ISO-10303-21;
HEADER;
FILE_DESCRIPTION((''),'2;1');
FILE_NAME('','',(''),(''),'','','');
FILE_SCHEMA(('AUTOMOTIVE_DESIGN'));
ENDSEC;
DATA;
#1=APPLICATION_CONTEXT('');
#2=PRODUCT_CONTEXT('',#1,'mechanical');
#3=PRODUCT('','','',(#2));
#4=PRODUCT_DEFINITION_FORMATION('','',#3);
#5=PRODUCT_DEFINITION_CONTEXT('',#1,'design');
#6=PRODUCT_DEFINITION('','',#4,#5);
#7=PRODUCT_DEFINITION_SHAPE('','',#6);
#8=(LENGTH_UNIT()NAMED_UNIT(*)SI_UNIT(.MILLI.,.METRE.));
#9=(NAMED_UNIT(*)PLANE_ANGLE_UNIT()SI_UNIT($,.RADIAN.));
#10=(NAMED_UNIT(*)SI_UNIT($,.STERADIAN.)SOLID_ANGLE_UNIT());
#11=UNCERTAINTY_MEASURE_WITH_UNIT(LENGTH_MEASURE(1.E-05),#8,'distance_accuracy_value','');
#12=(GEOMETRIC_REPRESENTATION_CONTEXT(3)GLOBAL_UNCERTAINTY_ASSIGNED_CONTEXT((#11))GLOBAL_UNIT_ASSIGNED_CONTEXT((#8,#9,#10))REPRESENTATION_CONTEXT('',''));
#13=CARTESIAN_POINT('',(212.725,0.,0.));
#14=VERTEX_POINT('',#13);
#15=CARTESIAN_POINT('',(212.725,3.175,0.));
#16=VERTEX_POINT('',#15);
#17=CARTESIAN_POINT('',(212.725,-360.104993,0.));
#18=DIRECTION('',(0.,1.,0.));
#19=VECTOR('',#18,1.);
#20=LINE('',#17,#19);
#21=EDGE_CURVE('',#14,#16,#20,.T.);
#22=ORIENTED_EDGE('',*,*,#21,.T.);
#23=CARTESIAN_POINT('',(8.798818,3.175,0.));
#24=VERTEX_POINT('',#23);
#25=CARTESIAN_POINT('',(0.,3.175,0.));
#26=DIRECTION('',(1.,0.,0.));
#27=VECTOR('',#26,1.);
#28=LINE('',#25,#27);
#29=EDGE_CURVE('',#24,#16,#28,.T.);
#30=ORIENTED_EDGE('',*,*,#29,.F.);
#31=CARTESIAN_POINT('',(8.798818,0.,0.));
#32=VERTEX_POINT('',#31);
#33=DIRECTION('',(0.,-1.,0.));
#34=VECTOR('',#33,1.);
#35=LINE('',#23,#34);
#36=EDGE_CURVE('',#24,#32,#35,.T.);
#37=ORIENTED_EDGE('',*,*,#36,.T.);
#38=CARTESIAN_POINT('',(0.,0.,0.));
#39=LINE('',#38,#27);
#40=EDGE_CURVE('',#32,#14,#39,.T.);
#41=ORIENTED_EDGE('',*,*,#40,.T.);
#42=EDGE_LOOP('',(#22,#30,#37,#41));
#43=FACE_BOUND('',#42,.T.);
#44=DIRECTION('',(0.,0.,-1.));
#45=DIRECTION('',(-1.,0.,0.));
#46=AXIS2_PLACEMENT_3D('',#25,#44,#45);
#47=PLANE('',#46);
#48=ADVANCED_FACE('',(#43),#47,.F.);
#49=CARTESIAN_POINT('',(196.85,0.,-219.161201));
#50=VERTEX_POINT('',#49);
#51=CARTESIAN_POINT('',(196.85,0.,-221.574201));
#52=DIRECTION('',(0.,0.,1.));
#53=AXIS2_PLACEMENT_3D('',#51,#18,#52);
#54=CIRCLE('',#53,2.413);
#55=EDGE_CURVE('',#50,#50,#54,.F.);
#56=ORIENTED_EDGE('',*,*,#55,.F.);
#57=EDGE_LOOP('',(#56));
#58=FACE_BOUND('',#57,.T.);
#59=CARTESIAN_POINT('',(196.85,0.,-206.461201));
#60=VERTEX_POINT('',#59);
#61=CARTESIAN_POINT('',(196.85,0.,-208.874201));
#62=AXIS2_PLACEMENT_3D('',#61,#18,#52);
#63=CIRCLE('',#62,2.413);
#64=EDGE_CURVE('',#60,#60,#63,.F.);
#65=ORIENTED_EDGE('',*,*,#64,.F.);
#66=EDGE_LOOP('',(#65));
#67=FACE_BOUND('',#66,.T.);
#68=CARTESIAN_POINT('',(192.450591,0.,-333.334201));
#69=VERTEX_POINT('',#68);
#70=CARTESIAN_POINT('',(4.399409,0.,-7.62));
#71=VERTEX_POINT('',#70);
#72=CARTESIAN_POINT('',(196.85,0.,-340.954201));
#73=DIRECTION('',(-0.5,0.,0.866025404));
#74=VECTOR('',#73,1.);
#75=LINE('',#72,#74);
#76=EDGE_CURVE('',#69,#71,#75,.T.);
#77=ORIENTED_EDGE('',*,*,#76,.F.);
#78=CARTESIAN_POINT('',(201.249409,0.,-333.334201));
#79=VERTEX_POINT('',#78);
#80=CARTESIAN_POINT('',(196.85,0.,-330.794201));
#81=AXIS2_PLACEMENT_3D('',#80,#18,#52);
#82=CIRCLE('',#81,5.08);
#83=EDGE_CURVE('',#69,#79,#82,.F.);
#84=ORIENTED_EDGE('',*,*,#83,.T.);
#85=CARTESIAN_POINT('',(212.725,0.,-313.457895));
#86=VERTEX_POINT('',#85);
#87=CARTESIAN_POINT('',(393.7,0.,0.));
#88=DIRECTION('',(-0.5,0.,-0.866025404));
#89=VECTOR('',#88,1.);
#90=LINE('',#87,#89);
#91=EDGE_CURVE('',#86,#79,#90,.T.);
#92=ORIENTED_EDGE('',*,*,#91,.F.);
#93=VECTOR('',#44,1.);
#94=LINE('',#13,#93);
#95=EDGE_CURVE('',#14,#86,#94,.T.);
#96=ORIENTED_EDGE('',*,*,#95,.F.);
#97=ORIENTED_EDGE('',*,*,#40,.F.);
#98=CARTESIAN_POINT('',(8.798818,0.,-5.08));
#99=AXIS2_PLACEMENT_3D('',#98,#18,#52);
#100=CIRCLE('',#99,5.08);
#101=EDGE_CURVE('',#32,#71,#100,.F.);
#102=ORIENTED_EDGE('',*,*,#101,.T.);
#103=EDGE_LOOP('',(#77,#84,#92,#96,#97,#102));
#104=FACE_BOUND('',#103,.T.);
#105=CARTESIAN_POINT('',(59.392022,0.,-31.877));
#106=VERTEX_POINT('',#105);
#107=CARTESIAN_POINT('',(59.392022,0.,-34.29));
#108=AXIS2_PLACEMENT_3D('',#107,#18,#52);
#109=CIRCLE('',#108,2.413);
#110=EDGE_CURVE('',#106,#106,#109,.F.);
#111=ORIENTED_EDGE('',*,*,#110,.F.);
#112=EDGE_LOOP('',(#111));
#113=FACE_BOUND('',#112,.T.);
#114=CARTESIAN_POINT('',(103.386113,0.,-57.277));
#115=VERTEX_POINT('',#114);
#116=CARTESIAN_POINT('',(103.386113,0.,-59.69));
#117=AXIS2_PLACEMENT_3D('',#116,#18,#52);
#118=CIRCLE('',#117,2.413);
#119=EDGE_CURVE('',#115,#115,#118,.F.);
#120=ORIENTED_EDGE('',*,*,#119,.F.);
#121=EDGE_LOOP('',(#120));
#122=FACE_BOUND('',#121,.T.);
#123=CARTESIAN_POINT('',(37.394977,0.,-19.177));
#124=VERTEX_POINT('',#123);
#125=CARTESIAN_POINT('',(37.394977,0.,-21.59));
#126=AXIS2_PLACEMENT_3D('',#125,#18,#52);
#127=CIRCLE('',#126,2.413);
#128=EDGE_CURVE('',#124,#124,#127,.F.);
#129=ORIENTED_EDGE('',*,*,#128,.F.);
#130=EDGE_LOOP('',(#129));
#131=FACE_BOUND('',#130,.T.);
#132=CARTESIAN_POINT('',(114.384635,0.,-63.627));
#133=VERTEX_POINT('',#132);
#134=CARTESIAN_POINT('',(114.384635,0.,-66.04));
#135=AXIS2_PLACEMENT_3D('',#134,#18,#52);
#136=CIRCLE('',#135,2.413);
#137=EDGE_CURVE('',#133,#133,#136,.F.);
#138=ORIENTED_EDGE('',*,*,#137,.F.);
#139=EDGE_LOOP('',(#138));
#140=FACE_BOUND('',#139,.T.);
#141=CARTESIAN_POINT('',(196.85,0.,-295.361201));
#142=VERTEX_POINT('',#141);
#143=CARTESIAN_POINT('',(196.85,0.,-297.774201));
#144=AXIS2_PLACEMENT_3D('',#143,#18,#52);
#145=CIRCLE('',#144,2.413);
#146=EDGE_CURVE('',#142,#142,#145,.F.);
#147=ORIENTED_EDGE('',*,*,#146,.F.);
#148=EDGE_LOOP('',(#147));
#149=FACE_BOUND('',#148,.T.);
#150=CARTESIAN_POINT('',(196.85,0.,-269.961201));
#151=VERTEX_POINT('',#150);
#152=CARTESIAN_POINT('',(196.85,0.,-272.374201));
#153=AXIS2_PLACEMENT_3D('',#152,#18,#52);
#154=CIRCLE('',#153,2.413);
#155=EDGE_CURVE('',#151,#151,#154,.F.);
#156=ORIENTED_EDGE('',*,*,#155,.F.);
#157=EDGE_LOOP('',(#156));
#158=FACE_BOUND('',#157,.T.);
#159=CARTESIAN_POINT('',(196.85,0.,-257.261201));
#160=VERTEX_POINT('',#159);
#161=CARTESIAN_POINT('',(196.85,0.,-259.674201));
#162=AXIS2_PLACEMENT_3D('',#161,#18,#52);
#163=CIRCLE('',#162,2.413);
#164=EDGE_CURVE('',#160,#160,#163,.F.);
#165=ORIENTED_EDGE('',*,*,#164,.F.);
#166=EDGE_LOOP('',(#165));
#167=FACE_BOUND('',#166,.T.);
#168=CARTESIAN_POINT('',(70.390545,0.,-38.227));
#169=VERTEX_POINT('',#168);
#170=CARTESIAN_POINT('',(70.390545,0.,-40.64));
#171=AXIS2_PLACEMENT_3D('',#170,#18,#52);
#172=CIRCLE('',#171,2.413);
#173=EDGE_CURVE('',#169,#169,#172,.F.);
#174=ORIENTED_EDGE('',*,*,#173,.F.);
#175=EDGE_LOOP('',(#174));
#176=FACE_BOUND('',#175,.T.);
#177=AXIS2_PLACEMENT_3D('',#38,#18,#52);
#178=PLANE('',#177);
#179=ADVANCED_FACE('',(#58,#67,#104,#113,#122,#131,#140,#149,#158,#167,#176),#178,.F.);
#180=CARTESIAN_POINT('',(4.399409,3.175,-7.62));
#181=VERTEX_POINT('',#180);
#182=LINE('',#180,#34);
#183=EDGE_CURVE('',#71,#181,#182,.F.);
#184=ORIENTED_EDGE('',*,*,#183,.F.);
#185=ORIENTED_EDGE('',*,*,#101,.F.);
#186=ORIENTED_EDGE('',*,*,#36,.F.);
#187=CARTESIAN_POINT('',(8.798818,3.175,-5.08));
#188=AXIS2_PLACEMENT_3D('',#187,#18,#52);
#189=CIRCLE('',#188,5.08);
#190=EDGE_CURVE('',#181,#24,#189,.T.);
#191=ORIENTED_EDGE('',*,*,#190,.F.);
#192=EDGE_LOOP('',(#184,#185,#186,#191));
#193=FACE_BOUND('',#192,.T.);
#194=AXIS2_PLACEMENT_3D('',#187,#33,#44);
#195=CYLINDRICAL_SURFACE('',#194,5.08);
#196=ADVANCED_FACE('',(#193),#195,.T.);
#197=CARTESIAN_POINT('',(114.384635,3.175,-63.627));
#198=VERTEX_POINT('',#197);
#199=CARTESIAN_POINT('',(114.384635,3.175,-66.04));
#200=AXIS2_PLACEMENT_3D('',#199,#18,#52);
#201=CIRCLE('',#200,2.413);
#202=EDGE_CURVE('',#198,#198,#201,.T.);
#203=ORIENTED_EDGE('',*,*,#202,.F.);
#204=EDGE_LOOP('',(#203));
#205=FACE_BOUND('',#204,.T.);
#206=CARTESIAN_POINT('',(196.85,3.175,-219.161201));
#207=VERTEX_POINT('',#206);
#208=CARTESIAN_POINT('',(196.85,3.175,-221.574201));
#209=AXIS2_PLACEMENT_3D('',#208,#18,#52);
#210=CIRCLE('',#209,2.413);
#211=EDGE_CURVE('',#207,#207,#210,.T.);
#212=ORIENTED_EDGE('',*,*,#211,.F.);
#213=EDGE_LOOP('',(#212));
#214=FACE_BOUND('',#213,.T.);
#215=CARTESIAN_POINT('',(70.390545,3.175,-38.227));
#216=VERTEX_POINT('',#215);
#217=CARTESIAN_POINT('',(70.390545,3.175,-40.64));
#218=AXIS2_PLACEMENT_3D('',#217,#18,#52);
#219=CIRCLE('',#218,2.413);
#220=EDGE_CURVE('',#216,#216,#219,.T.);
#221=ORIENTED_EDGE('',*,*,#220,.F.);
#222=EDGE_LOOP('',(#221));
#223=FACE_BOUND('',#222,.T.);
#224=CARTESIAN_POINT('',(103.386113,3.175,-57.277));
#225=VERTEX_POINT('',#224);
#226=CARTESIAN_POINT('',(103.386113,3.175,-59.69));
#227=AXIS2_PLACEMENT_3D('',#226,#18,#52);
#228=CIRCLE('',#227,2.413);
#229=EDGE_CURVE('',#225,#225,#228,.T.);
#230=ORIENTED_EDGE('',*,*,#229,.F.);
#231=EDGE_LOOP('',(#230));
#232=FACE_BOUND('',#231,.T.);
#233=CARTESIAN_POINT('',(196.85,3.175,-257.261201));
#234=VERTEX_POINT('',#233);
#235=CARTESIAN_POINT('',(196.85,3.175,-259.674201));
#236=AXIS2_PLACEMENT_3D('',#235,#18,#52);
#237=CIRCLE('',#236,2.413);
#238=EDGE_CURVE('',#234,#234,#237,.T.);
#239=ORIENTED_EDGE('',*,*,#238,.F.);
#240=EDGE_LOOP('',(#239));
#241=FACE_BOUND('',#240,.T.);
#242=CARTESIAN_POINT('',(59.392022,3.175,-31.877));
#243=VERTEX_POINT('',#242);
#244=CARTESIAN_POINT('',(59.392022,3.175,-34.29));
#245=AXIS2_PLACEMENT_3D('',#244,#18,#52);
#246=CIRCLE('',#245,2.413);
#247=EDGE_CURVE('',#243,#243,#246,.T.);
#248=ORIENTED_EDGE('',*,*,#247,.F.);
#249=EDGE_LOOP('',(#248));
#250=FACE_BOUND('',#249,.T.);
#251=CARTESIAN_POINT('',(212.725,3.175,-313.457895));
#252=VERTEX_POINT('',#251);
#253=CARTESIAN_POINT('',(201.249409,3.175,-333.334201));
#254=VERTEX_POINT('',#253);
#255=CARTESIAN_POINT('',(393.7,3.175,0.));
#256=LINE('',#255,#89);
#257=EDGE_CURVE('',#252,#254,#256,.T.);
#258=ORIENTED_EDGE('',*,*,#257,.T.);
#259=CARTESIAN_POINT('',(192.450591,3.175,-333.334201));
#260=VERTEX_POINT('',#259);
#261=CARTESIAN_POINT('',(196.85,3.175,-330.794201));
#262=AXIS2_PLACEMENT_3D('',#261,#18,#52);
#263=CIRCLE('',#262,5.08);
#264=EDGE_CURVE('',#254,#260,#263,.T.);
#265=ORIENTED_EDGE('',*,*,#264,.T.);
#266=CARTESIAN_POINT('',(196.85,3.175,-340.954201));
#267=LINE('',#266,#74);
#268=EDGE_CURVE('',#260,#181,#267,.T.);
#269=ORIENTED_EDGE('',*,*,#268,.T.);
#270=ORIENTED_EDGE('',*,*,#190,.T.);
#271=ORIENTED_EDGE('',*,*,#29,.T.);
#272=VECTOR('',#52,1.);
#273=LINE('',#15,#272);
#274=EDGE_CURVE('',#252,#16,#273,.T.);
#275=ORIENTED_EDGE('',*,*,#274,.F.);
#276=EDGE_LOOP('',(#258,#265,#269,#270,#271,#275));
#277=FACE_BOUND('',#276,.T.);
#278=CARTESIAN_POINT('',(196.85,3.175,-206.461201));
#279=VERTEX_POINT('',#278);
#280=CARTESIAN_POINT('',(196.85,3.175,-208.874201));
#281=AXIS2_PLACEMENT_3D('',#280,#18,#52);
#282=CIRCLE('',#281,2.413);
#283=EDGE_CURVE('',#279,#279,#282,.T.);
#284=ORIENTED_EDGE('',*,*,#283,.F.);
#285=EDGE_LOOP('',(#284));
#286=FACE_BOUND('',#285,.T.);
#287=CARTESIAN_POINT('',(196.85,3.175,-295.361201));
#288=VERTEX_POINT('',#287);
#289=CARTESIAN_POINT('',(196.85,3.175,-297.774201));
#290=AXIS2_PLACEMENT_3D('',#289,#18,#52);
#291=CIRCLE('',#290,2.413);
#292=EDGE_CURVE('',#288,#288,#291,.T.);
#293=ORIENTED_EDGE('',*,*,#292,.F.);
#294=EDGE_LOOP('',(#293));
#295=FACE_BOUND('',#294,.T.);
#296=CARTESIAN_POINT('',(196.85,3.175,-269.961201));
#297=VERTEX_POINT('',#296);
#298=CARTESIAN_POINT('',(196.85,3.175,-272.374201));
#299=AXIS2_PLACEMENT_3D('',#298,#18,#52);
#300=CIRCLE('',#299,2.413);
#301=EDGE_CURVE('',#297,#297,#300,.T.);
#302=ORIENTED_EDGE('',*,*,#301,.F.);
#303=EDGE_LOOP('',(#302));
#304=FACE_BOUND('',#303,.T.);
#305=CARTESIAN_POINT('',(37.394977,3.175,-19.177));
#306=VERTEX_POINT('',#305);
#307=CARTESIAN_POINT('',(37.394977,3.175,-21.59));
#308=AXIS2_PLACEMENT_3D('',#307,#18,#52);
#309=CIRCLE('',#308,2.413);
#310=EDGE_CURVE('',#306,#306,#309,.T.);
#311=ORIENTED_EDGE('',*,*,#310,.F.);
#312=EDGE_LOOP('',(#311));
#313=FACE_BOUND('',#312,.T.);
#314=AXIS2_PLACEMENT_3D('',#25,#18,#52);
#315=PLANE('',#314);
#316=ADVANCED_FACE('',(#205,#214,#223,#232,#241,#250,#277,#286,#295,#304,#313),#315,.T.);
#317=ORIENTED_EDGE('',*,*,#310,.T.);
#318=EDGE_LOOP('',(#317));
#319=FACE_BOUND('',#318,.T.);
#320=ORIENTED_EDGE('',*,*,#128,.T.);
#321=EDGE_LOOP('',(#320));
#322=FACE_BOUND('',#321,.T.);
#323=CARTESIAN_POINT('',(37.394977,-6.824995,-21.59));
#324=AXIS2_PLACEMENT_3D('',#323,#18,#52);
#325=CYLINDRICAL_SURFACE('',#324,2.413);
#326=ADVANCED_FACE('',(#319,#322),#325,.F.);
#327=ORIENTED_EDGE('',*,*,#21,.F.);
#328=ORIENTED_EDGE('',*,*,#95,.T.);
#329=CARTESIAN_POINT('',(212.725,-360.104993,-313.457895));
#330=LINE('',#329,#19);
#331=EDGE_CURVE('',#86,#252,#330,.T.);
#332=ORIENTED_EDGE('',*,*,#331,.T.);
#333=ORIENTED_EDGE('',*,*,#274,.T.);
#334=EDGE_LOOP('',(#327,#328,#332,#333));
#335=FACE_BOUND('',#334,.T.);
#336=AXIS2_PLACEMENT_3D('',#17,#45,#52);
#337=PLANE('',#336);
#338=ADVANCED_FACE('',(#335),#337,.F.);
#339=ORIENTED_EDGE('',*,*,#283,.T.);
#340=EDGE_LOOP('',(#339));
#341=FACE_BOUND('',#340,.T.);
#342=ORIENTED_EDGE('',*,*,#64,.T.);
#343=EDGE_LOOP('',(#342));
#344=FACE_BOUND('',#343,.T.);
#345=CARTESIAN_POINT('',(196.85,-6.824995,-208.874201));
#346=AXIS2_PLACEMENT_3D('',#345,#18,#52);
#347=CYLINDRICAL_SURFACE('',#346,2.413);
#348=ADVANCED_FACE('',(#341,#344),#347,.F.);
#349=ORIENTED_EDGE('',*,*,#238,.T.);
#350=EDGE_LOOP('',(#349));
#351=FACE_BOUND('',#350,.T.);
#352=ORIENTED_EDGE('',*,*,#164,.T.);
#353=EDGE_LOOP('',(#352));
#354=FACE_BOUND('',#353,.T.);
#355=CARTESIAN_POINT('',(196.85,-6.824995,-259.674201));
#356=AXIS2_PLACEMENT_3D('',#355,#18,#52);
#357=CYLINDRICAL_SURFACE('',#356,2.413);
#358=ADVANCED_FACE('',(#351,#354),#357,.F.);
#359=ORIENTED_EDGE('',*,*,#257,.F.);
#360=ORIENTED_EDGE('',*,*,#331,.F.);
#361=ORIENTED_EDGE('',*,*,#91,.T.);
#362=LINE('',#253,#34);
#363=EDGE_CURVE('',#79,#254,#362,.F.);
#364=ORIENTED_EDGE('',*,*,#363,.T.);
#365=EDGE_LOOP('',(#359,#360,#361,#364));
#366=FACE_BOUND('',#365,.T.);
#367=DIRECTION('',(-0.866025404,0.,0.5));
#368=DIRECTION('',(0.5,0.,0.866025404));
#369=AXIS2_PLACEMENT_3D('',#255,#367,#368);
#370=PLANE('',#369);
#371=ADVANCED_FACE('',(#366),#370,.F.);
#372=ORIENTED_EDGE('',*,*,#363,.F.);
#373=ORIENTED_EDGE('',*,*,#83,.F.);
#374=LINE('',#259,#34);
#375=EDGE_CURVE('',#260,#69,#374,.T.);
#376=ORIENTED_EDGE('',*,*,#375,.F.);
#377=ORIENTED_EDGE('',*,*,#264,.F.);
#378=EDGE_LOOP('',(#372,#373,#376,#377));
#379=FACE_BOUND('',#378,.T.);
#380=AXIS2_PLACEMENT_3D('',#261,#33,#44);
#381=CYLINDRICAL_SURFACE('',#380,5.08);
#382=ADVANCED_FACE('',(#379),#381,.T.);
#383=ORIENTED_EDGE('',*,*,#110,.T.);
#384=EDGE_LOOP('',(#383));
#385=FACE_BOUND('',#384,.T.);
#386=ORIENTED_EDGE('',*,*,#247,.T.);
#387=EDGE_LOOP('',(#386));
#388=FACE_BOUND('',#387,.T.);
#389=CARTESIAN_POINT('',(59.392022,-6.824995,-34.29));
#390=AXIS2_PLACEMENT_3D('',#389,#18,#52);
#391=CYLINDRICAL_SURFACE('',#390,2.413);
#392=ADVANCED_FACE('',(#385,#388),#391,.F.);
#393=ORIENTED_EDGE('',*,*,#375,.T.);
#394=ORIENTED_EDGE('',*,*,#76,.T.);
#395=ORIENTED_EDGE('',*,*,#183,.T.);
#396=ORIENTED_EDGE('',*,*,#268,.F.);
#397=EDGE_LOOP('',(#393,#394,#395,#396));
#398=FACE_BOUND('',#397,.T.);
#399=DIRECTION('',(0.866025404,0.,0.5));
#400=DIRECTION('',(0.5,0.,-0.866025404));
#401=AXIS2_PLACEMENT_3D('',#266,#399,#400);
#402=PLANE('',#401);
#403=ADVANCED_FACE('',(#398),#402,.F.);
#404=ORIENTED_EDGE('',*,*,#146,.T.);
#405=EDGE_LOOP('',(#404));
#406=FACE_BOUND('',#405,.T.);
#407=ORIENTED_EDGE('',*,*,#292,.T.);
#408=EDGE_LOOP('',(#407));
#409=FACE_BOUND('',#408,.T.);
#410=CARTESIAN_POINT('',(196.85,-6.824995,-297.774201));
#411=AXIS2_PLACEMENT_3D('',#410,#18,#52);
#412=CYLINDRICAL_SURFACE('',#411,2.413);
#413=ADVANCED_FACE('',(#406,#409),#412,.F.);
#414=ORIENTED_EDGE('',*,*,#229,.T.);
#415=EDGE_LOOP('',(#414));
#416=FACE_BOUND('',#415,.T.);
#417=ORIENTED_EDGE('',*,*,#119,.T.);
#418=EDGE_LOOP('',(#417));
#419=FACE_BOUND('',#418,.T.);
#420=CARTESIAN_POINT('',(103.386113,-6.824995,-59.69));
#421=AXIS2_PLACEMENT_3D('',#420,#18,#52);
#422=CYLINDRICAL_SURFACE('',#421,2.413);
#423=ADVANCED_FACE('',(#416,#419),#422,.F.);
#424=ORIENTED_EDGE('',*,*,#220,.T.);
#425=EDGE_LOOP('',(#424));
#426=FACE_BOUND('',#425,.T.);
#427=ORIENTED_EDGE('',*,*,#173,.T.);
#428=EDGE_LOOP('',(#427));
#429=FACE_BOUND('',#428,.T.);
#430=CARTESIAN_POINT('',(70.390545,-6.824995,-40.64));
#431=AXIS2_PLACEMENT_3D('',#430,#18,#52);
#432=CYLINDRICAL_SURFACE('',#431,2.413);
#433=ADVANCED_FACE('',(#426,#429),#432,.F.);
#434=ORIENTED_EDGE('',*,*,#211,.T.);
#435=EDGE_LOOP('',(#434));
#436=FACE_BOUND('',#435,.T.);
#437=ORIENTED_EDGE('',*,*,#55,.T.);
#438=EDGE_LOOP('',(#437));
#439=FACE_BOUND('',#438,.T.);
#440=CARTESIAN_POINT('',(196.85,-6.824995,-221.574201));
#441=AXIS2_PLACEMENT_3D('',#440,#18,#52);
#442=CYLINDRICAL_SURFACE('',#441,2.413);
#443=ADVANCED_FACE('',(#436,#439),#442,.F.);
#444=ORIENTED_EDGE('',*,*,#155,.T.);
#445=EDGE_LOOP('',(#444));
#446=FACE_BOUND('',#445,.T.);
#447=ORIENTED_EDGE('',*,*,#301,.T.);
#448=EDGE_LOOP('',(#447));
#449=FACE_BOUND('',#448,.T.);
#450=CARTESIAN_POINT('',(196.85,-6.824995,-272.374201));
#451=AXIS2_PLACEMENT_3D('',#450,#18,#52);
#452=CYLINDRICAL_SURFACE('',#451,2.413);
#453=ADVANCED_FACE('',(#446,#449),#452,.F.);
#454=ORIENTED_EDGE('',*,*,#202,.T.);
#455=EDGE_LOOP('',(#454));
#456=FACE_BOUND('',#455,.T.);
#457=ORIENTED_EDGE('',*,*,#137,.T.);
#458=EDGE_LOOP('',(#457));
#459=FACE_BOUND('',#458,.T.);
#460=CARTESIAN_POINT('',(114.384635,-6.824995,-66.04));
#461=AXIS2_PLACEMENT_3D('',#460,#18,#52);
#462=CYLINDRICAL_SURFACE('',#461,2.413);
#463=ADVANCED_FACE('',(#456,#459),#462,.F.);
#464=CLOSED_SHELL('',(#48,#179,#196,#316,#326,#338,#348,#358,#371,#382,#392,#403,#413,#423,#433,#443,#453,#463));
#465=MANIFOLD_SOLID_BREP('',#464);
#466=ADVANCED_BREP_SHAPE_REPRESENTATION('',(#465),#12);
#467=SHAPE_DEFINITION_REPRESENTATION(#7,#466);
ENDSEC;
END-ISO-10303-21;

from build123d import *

# Parameters (mm, degrees)
BOSS_EXTRUDE1_DEPTH = 3.175
FILLET1_R           = 5.08
SKETCH2_R           = 2.413
CUT_EXTRUDE1_DEPTH  = 3.175
SKETCH3_R           = 2.413
CUT_EXTRUDE2_DEPTH  = 3.175


with BuildPart() as part:
    # Sketch1 → Boss-Extrude1 (new body)
    with BuildSketch(Plane(origin=(0, 0, 0), x_dir=(1, 0, 0), z_dir=(0, 1, 0))):
        Polygon((0, 0), (393.7, 0), (196.85, 340.95420147), align=None)
    extrude(amount=BOSS_EXTRUDE1_DEPTH)

    # Fillet1
    fillet1_edges = [part.edges().sort_by_distance(p)[0] for p in [
        (196.85, 1.5875, -340.95420147),
        (393.7, 1.5875, 0),
        (0, 1.5875, 0),
    ]]
    fillet(fillet1_edges, radius=FILLET1_R)

    # Sketch2 → Cut-Extrude1 (cut)
    with BuildSketch(Plane(origin=(0, 3.175, 0), x_dir=(1, 0, 0), z_dir=(0, 1, 0))):
        with Locations((37.394976935, 21.59)):
            Circle(SKETCH2_R)
        with Locations((59.392022192, 34.29)):
            Circle(SKETCH2_R)
        with Locations((70.39054482, 40.64)):
            Circle(SKETCH2_R)
        with Locations((114.384635332, 66.04)):
            Circle(SKETCH2_R)
        with Locations((103.386112704, 59.69)):
            Circle(SKETCH2_R)
        with Locations((196.85, 297.77420147)):
            Circle(SKETCH2_R)
        with Locations((196.85, 272.37420147)):
            Circle(SKETCH2_R)
        with Locations((196.85, 259.67420147)):
            Circle(SKETCH2_R)
        with Locations((196.85, 221.57420147)):
            Circle(SKETCH2_R)
        with Locations((196.85, 208.87420147)):
            Circle(SKETCH2_R)
        with Locations((279.315364668, 66.04)):
            Circle(SKETCH2_R)
        with Locations((290.313887296, 59.69)):
            Circle(SKETCH2_R)
        with Locations((323.30945518, 40.64)):
            Circle(SKETCH2_R)
        with Locations((334.307977808, 34.29)):
            Circle(SKETCH2_R)
        with Locations((356.305023065, 21.59)):
            Circle(SKETCH2_R)
    extrude(amount=-CUT_EXTRUDE1_DEPTH, mode=Mode.SUBTRACT)

    # Sketch3 → Cut-Extrude2 (cut)
    with BuildSketch(Plane(origin=(0, 3.175, 0), x_dir=(1, 0, 0), z_dir=(0, 1, 0))):
        with BuildLine():
            Line((389.300590949, 7.62), (212.725, 313.4578949))
            Line((212.725, 313.4578949), (212.725, 0))
            Line((212.725, 0), (384.901181898, 0))
            ThreePointArc((384.901181898, 0), (389.300590949, 2.54), (389.300590949, 7.62))
        make_face()
        with Locations((290.313887296, 59.69)):
            Circle(SKETCH3_R, mode=Mode.SUBTRACT)
        with Locations((279.315364668, 66.04)):
            Circle(SKETCH3_R, mode=Mode.SUBTRACT)
        with Locations((323.30945518, 40.64)):
            Circle(SKETCH3_R, mode=Mode.SUBTRACT)
        with Locations((334.307977808, 34.29)):
            Circle(SKETCH3_R, mode=Mode.SUBTRACT)
        with Locations((356.305023065, 21.59)):
            Circle(SKETCH3_R, mode=Mode.SUBTRACT)
    extrude(amount=-CUT_EXTRUDE2_DEPTH, mode=Mode.SUBTRACT)


solid = part.part
